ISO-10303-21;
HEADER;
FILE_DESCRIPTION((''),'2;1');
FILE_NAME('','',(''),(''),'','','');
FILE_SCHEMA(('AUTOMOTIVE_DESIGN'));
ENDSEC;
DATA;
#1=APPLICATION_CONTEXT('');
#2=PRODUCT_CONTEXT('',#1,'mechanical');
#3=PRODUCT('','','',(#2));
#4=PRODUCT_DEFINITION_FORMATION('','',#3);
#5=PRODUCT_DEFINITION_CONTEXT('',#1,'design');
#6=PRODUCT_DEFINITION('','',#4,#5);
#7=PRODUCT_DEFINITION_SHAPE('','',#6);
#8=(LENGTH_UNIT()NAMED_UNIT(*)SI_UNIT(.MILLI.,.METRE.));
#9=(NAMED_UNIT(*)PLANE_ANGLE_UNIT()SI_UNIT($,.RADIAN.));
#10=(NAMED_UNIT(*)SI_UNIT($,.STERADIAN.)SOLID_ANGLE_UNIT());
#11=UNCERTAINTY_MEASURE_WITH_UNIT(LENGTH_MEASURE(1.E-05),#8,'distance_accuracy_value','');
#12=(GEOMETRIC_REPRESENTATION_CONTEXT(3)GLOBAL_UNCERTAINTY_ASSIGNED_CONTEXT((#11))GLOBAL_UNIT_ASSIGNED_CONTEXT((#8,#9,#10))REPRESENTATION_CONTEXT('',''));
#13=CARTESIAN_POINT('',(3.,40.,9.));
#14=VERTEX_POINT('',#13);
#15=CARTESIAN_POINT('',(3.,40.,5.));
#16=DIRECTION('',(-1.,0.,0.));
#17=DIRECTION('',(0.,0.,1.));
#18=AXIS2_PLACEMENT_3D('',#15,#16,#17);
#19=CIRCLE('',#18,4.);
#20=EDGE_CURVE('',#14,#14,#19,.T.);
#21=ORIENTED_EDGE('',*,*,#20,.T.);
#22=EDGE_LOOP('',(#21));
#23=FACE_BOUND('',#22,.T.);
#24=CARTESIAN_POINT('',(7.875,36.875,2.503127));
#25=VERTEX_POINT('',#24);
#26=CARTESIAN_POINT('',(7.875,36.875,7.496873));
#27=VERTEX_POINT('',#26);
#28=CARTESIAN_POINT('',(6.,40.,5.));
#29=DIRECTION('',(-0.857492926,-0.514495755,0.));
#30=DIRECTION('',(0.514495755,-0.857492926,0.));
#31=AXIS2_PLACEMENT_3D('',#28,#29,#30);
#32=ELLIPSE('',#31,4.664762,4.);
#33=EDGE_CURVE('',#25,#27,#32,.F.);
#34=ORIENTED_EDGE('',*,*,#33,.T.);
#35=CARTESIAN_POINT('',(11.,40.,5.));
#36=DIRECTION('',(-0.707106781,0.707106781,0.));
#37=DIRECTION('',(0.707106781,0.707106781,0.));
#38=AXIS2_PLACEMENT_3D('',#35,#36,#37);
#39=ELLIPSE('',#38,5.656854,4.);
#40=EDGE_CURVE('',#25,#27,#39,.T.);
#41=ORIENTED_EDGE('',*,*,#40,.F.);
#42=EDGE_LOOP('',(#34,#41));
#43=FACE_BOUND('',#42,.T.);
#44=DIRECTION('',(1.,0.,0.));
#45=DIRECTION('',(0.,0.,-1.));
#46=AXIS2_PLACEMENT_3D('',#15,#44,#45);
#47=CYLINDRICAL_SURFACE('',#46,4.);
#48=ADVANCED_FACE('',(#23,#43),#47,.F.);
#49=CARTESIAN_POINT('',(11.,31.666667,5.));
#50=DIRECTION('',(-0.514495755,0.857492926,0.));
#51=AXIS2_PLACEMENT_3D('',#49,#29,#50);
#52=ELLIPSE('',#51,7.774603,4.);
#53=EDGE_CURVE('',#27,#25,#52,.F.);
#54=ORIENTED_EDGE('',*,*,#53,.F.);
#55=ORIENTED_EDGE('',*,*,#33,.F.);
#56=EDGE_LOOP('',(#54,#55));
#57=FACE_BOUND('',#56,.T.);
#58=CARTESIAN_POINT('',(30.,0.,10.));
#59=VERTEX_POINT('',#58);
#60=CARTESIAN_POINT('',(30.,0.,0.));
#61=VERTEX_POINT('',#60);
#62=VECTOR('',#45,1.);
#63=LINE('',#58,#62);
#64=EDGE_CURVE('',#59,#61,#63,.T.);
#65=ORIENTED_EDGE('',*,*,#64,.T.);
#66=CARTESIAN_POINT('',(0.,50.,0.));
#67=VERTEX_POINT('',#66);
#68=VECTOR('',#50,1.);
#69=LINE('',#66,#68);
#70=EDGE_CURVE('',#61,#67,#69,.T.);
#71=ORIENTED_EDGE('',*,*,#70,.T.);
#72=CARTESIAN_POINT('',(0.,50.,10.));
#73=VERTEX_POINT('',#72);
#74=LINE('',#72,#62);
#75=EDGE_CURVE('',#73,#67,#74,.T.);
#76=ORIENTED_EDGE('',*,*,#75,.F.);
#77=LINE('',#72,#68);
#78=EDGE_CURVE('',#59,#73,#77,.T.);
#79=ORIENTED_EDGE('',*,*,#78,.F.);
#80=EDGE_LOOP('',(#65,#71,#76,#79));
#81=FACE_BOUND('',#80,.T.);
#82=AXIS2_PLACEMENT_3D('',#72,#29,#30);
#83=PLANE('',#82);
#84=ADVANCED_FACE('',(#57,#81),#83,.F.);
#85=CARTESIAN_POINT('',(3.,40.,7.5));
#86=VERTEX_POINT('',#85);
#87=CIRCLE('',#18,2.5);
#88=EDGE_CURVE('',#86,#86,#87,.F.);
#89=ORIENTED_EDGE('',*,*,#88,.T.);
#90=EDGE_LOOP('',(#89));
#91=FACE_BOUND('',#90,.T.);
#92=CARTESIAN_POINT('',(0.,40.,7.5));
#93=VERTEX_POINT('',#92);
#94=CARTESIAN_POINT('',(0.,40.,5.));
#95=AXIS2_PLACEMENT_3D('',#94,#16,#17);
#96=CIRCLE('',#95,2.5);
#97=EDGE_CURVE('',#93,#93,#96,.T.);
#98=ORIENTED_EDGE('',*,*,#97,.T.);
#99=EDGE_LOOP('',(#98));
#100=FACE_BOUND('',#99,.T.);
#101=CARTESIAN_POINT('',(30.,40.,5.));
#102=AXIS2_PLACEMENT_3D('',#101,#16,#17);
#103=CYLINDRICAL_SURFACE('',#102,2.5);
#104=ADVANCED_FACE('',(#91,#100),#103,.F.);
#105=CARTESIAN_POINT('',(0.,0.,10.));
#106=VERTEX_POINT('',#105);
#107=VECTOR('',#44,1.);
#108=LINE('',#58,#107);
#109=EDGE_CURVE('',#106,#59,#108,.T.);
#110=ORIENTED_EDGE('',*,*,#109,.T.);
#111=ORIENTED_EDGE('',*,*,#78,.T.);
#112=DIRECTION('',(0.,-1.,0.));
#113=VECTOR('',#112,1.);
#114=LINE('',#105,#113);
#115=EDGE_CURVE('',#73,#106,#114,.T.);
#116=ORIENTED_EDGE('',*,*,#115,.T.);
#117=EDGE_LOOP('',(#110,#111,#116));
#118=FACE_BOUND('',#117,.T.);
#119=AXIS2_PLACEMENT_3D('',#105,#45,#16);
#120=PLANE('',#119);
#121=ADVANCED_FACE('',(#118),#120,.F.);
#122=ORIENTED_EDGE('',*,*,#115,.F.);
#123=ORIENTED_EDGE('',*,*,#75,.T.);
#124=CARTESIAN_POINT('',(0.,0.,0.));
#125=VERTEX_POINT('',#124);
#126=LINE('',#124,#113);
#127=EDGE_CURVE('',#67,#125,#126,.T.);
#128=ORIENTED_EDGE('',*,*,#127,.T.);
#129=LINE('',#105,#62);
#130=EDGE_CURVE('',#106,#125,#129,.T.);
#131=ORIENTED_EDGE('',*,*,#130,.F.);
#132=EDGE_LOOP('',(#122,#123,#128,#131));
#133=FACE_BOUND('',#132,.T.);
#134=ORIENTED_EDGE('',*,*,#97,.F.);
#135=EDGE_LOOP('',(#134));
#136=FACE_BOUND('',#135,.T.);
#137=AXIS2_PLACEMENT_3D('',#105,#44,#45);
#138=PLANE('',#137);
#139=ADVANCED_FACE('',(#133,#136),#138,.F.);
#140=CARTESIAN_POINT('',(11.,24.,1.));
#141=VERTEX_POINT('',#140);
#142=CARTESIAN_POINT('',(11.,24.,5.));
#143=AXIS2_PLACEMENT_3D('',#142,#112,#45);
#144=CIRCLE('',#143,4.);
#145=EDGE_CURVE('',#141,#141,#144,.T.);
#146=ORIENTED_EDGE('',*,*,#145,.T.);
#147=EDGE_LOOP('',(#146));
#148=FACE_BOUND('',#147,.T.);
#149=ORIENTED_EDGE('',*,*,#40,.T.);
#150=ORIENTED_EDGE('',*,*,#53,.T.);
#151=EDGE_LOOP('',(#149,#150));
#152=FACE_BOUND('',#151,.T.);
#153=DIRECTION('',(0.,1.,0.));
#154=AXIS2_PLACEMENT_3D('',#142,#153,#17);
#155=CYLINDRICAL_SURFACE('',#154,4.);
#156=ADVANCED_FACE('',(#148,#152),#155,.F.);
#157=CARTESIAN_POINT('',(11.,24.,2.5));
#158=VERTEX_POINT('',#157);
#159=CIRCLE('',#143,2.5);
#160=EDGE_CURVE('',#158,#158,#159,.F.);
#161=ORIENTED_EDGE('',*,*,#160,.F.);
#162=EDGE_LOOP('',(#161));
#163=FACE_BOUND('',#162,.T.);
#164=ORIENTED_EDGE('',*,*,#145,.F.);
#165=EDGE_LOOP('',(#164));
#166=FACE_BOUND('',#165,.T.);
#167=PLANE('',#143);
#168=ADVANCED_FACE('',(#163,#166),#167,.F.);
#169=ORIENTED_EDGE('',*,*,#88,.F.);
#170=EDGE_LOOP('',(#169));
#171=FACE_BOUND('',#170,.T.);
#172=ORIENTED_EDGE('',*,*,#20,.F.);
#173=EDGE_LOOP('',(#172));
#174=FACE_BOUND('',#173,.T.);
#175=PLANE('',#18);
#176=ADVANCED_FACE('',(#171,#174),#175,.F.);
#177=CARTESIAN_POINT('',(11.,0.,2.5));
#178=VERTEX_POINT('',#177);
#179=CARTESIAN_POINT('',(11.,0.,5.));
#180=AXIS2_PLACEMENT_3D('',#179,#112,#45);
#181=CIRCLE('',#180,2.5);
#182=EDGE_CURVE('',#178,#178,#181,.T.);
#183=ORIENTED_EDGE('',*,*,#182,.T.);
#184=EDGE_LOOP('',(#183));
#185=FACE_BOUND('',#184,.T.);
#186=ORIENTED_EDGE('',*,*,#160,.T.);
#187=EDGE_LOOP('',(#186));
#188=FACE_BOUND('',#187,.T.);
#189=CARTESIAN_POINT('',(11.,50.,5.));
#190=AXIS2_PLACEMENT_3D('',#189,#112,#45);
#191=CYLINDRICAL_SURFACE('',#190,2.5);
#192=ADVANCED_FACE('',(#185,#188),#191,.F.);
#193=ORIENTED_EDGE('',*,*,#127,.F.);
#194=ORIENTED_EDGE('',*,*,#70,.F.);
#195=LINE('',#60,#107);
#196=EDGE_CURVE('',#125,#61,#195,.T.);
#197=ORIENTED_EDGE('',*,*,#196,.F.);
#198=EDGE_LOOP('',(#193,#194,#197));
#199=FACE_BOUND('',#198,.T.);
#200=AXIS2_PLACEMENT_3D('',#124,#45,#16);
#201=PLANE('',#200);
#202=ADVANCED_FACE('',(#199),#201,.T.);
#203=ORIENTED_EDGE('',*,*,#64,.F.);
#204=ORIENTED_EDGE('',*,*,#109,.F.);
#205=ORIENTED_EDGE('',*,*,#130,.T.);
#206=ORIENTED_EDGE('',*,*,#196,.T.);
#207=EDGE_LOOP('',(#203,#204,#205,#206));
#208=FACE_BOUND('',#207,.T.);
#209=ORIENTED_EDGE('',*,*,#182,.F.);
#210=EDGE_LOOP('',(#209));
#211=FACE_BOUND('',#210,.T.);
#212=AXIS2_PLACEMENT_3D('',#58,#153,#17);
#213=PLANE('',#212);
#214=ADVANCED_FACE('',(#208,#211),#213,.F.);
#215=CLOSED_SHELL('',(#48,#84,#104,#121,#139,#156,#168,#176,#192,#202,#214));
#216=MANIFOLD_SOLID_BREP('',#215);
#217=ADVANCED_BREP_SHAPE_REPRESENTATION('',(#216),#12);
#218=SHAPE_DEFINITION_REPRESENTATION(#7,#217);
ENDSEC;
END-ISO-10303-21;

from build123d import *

# Parameters (mm, degrees)
EXTRUDE_1_DEPTH     = 10
SKETCH_2_R          = 2.5
CUT_EXTRUDE_1_DEPTH = 60.160797831
SKETCH_3_R          = 2.5
CUT_EXTRUDE_2_DEPTH = 60.160797831
SKETCH_4_R          = 4
CUT_EXTRUDE_3_DEPTH = 26
SKETCH_5_R          = 4
CUT_EXTRUDE_4_DEPTH = 27


with BuildPart() as part:
    # 草图1 → 凸台-拉伸1 (new body)
    with BuildSketch(Plane.XY):
        Polygon((0, 0), (0, 50), (30, 0), align=None)
    extrude(amount=EXTRUDE_1_DEPTH)

    # 草图2 → 切除-拉伸1 (cut, through all)
    with BuildSketch(Plane.XZ):
        with Locations(Location((11, 5, 0), (0, 0, 270))):
            Circle(SKETCH_2_R)
    extrude(amount=-CUT_EXTRUDE_1_DEPTH, mode=Mode.SUBTRACT)

    # 草图3 → 切除-拉伸2 (cut, through all)
    with BuildSketch(Plane.ZY):
        with Locations((5, 40)):
            Circle(SKETCH_3_R)
    extrude(amount=-CUT_EXTRUDE_2_DEPTH, mode=Mode.SUBTRACT)

    # 草图4 → 切除-拉伸3 (cut)
    with BuildSketch(Plane(origin=(0, 50, 0), x_dir=(-1, 0, 0), z_dir=(0, -1, 0))):
        with Locations(Location((-11, -5, 0), (0, 0, 339.715190562))):
            Circle(SKETCH_4_R)
    extrude(amount=CUT_EXTRUDE_3_DEPTH, mode=Mode.SUBTRACT)

    # 草图5 → 切除-拉伸4 (cut)
    with BuildSketch(Plane.ZY.offset(-30)):
        with Locations(Location((5, 40, 0), (0, 0, 231.375167127))):
            Circle(SKETCH_5_R)
    extrude(amount=CUT_EXTRUDE_4_DEPTH, mode=Mode.SUBTRACT)


solid = part.part
